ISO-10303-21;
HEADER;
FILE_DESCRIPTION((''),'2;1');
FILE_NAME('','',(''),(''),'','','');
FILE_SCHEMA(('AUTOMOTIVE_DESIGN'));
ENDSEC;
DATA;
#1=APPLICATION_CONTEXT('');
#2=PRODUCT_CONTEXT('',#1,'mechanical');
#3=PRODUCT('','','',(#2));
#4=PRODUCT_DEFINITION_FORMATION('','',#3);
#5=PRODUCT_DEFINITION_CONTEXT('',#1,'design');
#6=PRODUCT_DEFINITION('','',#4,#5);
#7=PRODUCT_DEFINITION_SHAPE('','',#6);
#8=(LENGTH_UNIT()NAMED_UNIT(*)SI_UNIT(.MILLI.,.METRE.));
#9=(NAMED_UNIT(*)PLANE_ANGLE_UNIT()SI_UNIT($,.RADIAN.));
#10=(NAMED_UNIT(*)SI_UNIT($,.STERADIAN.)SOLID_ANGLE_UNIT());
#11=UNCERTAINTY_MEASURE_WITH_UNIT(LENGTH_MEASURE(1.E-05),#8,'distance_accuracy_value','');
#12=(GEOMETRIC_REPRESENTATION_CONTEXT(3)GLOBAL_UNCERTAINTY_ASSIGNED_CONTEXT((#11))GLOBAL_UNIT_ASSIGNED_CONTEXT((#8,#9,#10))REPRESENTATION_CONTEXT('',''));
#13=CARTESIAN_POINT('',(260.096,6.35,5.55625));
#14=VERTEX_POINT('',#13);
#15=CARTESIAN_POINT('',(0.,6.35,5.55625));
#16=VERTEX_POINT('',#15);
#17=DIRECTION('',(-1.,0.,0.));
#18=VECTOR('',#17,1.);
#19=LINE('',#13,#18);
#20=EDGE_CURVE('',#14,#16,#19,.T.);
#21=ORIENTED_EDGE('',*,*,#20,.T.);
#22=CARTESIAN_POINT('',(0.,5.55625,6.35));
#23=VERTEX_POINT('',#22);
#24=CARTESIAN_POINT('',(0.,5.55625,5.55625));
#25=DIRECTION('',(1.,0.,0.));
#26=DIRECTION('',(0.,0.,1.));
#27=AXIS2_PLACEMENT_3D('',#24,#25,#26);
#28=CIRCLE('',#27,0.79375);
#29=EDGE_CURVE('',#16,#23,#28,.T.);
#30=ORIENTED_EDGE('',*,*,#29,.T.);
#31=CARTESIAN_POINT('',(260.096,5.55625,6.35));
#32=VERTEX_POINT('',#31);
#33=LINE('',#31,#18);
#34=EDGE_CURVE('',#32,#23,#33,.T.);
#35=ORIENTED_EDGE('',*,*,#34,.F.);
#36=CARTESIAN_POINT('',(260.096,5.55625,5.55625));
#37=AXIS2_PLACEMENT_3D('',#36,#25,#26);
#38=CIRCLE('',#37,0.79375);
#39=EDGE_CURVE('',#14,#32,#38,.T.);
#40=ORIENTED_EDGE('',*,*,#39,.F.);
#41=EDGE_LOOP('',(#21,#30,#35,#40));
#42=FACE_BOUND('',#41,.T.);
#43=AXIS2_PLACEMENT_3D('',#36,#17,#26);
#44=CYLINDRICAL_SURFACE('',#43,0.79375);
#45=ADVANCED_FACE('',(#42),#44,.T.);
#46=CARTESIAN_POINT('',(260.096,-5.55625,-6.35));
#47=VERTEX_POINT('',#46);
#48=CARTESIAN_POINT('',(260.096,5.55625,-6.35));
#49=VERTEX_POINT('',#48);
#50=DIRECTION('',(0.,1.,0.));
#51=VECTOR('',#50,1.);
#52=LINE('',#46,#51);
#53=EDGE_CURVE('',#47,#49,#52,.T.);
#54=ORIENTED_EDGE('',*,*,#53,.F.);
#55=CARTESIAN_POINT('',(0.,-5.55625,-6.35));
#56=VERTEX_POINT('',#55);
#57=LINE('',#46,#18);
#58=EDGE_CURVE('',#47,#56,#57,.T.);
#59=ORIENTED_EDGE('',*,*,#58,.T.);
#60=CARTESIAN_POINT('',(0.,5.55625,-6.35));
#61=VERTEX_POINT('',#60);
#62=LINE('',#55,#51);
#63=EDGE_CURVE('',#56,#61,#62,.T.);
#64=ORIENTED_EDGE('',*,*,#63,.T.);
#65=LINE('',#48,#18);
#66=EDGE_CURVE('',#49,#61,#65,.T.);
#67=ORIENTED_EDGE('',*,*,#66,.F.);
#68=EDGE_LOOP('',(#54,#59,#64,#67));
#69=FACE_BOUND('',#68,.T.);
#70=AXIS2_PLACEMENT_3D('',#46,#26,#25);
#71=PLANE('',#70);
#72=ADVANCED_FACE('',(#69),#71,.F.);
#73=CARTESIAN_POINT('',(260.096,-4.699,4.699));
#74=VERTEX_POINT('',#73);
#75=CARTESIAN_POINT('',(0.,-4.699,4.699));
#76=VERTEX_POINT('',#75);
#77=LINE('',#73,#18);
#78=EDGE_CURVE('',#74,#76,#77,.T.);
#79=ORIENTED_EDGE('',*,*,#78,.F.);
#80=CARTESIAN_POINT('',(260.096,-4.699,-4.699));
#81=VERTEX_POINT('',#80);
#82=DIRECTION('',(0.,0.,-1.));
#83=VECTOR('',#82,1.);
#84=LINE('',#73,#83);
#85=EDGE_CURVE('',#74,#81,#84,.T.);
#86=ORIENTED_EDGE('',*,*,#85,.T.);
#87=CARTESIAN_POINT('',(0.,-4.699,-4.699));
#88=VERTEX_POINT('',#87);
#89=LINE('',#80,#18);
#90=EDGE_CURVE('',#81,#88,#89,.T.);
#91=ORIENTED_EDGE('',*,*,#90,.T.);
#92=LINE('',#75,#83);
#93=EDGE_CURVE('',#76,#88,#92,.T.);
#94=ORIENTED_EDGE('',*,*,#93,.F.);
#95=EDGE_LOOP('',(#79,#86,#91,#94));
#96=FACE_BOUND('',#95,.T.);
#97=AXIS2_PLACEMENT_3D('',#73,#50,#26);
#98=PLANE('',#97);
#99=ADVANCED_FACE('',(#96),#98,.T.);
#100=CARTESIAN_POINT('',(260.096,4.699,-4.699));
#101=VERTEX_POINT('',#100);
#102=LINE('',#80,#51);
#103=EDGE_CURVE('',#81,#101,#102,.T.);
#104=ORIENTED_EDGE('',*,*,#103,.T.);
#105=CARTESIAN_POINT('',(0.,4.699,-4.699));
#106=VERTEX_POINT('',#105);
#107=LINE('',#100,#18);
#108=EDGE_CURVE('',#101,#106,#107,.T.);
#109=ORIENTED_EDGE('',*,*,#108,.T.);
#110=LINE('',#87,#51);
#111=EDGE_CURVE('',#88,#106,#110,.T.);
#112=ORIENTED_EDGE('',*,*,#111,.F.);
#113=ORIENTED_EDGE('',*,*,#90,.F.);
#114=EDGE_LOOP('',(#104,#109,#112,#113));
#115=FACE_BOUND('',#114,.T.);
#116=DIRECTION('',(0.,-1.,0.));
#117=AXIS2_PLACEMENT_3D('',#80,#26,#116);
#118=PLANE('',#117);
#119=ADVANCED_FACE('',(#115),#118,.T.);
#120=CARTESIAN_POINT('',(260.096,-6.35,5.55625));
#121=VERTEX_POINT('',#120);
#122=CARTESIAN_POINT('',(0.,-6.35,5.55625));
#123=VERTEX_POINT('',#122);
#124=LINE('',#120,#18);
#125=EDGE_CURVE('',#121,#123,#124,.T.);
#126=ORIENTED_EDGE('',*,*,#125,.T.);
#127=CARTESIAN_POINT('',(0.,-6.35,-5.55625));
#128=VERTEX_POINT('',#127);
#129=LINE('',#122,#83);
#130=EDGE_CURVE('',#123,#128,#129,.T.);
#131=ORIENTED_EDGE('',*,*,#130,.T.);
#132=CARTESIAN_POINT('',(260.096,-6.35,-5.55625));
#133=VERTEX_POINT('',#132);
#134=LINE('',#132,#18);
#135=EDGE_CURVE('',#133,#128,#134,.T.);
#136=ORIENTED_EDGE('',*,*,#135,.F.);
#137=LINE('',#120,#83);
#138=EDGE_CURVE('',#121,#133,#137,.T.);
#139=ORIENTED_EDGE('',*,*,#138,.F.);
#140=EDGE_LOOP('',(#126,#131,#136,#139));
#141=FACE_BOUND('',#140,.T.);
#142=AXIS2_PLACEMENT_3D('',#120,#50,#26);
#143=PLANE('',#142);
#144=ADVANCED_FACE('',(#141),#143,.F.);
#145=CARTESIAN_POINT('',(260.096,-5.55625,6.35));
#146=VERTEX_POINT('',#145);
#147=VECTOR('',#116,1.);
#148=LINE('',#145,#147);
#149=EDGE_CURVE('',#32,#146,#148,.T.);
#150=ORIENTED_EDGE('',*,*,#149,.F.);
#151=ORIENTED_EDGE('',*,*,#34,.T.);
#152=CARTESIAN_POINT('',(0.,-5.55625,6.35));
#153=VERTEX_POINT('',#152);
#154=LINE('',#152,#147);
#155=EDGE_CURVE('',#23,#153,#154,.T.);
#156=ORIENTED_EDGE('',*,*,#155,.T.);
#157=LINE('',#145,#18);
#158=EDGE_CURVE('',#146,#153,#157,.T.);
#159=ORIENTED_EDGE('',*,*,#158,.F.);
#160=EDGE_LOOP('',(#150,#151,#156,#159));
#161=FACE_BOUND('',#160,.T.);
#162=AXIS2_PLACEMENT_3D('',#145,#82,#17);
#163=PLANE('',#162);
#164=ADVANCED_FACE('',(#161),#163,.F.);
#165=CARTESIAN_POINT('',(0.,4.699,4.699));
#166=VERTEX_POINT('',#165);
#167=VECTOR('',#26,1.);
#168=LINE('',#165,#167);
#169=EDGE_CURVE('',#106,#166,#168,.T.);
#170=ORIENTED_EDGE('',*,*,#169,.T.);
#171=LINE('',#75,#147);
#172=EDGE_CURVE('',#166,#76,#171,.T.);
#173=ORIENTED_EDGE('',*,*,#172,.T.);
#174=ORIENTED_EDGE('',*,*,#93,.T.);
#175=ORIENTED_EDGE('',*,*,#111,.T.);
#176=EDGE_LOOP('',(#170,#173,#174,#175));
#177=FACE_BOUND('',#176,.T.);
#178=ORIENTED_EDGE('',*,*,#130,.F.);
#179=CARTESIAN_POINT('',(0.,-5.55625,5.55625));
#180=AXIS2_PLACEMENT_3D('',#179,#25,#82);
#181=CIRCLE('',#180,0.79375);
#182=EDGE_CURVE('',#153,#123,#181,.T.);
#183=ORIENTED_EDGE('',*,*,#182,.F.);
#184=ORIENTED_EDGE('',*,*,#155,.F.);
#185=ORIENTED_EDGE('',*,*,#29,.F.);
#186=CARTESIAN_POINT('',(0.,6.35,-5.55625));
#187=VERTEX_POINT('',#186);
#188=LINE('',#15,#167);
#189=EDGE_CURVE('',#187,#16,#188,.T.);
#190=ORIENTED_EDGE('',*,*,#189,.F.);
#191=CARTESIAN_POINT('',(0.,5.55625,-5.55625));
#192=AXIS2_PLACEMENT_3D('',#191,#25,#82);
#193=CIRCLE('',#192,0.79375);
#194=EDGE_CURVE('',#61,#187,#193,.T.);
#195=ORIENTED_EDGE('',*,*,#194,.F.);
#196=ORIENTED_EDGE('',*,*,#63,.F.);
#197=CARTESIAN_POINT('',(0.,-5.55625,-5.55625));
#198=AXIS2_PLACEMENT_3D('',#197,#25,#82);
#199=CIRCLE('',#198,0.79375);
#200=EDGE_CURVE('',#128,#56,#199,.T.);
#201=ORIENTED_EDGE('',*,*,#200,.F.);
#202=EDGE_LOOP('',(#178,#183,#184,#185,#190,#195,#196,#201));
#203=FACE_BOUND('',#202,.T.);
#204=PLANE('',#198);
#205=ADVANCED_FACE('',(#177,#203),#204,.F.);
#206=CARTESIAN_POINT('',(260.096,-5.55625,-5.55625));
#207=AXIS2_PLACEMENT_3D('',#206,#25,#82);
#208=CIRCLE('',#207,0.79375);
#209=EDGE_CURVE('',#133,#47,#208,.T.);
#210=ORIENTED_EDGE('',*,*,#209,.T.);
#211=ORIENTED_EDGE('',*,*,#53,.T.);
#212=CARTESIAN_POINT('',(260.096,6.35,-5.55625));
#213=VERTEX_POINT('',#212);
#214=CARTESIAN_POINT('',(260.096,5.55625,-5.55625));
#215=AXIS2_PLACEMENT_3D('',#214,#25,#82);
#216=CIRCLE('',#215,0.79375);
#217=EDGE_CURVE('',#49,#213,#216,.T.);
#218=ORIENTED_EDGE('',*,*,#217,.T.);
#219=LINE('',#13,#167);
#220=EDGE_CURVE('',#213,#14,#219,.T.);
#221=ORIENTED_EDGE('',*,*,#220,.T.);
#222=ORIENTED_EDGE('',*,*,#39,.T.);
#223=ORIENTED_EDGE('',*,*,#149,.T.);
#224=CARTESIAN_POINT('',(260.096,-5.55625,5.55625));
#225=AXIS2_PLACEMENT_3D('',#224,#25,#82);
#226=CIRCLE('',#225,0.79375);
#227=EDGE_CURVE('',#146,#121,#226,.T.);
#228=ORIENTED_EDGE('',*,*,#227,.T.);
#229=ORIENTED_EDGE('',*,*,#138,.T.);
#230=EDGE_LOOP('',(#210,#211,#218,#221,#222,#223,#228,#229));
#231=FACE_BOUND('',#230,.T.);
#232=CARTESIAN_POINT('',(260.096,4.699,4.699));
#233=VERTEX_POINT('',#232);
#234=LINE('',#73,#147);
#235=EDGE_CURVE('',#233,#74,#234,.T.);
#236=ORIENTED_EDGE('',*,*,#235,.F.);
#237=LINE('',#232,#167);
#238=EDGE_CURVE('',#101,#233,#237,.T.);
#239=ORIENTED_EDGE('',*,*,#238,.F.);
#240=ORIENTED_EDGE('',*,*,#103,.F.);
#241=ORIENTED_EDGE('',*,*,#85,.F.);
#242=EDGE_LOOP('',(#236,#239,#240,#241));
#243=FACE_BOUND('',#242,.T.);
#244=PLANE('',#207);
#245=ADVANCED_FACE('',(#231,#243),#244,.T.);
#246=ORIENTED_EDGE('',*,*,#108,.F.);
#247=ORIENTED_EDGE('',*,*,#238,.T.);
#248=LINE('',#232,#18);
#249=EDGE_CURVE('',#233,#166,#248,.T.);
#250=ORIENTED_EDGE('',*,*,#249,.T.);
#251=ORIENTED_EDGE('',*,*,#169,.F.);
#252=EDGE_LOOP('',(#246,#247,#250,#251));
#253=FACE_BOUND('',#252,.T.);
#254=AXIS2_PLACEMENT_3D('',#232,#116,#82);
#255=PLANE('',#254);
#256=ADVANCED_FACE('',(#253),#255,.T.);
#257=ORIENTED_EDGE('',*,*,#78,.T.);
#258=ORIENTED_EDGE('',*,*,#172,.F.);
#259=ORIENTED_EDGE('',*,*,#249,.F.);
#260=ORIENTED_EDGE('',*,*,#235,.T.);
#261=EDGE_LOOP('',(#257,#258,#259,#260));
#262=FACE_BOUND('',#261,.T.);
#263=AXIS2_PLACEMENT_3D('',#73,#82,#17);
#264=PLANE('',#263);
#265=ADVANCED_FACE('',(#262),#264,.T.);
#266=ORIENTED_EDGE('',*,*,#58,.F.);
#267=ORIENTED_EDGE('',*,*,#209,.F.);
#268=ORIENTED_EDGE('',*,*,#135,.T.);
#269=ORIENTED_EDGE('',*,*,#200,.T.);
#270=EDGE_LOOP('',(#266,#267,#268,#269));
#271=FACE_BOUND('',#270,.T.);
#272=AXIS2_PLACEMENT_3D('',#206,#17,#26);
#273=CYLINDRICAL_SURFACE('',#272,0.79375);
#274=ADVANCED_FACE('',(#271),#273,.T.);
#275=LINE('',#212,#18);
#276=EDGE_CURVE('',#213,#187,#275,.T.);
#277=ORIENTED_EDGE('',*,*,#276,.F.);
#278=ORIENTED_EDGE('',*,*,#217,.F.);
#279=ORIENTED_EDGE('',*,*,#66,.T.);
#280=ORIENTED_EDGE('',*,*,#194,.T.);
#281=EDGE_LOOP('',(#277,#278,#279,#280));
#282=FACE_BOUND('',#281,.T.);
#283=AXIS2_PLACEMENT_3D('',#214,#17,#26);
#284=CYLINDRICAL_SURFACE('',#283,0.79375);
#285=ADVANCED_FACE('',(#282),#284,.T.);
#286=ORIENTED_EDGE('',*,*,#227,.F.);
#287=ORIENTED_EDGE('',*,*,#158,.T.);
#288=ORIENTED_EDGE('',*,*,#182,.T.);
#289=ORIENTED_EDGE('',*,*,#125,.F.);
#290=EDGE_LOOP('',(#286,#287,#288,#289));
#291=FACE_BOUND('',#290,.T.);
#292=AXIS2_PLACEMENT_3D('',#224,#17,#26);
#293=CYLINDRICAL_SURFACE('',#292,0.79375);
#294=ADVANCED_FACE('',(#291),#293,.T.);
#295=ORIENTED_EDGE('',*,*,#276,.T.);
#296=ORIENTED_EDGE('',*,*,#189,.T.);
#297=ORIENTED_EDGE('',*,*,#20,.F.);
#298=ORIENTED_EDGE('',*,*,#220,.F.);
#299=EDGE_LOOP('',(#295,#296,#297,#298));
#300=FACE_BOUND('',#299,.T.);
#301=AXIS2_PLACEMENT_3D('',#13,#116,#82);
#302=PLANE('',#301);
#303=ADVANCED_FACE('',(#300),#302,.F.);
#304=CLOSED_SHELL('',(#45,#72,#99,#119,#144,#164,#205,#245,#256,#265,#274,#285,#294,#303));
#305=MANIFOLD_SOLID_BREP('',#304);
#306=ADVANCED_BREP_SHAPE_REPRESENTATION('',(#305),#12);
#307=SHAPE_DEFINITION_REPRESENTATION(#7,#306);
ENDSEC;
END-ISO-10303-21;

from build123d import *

# Parameters (mm, degrees)
SKETCH11_W               = 9.398
SKETCH11_H               = 9.398
STRUCTURAL_MEMBER1_DEPTH = 260.096


with BuildPart() as part:
    # Sketch11 → Structural Member1 (new body)
    with BuildSketch(Plane.YZ):
        with BuildLine():
            Line((-5.55625, 6.35), (5.55625, 6.35))
            ThreePointArc((5.55625, 6.35), (6.117516008, 6.117516008), (6.35, 5.55625))
            Line((6.35, 5.55625), (6.35, -5.55625))
            ThreePointArc((6.35, -5.55625), (6.117516008, -6.117516008), (5.55625, -6.35))
            Line((5.55625, -6.35), (-5.55625, -6.35))
            ThreePointArc((-5.55625, -6.35), (-6.117516008, -6.117516008), (-6.35, -5.55625))
            Line((-6.35, -5.55625), (-6.35, 5.55625))
            ThreePointArc((-6.35, 5.55625), (-6.117516008, 6.117516008), (-5.55625, 6.35))
        make_face()
        Rectangle(SKETCH11_W, SKETCH11_H, mode=Mode.SUBTRACT)
    extrude(amount=STRUCTURAL_MEMBER1_DEPTH)


solid = part.part
